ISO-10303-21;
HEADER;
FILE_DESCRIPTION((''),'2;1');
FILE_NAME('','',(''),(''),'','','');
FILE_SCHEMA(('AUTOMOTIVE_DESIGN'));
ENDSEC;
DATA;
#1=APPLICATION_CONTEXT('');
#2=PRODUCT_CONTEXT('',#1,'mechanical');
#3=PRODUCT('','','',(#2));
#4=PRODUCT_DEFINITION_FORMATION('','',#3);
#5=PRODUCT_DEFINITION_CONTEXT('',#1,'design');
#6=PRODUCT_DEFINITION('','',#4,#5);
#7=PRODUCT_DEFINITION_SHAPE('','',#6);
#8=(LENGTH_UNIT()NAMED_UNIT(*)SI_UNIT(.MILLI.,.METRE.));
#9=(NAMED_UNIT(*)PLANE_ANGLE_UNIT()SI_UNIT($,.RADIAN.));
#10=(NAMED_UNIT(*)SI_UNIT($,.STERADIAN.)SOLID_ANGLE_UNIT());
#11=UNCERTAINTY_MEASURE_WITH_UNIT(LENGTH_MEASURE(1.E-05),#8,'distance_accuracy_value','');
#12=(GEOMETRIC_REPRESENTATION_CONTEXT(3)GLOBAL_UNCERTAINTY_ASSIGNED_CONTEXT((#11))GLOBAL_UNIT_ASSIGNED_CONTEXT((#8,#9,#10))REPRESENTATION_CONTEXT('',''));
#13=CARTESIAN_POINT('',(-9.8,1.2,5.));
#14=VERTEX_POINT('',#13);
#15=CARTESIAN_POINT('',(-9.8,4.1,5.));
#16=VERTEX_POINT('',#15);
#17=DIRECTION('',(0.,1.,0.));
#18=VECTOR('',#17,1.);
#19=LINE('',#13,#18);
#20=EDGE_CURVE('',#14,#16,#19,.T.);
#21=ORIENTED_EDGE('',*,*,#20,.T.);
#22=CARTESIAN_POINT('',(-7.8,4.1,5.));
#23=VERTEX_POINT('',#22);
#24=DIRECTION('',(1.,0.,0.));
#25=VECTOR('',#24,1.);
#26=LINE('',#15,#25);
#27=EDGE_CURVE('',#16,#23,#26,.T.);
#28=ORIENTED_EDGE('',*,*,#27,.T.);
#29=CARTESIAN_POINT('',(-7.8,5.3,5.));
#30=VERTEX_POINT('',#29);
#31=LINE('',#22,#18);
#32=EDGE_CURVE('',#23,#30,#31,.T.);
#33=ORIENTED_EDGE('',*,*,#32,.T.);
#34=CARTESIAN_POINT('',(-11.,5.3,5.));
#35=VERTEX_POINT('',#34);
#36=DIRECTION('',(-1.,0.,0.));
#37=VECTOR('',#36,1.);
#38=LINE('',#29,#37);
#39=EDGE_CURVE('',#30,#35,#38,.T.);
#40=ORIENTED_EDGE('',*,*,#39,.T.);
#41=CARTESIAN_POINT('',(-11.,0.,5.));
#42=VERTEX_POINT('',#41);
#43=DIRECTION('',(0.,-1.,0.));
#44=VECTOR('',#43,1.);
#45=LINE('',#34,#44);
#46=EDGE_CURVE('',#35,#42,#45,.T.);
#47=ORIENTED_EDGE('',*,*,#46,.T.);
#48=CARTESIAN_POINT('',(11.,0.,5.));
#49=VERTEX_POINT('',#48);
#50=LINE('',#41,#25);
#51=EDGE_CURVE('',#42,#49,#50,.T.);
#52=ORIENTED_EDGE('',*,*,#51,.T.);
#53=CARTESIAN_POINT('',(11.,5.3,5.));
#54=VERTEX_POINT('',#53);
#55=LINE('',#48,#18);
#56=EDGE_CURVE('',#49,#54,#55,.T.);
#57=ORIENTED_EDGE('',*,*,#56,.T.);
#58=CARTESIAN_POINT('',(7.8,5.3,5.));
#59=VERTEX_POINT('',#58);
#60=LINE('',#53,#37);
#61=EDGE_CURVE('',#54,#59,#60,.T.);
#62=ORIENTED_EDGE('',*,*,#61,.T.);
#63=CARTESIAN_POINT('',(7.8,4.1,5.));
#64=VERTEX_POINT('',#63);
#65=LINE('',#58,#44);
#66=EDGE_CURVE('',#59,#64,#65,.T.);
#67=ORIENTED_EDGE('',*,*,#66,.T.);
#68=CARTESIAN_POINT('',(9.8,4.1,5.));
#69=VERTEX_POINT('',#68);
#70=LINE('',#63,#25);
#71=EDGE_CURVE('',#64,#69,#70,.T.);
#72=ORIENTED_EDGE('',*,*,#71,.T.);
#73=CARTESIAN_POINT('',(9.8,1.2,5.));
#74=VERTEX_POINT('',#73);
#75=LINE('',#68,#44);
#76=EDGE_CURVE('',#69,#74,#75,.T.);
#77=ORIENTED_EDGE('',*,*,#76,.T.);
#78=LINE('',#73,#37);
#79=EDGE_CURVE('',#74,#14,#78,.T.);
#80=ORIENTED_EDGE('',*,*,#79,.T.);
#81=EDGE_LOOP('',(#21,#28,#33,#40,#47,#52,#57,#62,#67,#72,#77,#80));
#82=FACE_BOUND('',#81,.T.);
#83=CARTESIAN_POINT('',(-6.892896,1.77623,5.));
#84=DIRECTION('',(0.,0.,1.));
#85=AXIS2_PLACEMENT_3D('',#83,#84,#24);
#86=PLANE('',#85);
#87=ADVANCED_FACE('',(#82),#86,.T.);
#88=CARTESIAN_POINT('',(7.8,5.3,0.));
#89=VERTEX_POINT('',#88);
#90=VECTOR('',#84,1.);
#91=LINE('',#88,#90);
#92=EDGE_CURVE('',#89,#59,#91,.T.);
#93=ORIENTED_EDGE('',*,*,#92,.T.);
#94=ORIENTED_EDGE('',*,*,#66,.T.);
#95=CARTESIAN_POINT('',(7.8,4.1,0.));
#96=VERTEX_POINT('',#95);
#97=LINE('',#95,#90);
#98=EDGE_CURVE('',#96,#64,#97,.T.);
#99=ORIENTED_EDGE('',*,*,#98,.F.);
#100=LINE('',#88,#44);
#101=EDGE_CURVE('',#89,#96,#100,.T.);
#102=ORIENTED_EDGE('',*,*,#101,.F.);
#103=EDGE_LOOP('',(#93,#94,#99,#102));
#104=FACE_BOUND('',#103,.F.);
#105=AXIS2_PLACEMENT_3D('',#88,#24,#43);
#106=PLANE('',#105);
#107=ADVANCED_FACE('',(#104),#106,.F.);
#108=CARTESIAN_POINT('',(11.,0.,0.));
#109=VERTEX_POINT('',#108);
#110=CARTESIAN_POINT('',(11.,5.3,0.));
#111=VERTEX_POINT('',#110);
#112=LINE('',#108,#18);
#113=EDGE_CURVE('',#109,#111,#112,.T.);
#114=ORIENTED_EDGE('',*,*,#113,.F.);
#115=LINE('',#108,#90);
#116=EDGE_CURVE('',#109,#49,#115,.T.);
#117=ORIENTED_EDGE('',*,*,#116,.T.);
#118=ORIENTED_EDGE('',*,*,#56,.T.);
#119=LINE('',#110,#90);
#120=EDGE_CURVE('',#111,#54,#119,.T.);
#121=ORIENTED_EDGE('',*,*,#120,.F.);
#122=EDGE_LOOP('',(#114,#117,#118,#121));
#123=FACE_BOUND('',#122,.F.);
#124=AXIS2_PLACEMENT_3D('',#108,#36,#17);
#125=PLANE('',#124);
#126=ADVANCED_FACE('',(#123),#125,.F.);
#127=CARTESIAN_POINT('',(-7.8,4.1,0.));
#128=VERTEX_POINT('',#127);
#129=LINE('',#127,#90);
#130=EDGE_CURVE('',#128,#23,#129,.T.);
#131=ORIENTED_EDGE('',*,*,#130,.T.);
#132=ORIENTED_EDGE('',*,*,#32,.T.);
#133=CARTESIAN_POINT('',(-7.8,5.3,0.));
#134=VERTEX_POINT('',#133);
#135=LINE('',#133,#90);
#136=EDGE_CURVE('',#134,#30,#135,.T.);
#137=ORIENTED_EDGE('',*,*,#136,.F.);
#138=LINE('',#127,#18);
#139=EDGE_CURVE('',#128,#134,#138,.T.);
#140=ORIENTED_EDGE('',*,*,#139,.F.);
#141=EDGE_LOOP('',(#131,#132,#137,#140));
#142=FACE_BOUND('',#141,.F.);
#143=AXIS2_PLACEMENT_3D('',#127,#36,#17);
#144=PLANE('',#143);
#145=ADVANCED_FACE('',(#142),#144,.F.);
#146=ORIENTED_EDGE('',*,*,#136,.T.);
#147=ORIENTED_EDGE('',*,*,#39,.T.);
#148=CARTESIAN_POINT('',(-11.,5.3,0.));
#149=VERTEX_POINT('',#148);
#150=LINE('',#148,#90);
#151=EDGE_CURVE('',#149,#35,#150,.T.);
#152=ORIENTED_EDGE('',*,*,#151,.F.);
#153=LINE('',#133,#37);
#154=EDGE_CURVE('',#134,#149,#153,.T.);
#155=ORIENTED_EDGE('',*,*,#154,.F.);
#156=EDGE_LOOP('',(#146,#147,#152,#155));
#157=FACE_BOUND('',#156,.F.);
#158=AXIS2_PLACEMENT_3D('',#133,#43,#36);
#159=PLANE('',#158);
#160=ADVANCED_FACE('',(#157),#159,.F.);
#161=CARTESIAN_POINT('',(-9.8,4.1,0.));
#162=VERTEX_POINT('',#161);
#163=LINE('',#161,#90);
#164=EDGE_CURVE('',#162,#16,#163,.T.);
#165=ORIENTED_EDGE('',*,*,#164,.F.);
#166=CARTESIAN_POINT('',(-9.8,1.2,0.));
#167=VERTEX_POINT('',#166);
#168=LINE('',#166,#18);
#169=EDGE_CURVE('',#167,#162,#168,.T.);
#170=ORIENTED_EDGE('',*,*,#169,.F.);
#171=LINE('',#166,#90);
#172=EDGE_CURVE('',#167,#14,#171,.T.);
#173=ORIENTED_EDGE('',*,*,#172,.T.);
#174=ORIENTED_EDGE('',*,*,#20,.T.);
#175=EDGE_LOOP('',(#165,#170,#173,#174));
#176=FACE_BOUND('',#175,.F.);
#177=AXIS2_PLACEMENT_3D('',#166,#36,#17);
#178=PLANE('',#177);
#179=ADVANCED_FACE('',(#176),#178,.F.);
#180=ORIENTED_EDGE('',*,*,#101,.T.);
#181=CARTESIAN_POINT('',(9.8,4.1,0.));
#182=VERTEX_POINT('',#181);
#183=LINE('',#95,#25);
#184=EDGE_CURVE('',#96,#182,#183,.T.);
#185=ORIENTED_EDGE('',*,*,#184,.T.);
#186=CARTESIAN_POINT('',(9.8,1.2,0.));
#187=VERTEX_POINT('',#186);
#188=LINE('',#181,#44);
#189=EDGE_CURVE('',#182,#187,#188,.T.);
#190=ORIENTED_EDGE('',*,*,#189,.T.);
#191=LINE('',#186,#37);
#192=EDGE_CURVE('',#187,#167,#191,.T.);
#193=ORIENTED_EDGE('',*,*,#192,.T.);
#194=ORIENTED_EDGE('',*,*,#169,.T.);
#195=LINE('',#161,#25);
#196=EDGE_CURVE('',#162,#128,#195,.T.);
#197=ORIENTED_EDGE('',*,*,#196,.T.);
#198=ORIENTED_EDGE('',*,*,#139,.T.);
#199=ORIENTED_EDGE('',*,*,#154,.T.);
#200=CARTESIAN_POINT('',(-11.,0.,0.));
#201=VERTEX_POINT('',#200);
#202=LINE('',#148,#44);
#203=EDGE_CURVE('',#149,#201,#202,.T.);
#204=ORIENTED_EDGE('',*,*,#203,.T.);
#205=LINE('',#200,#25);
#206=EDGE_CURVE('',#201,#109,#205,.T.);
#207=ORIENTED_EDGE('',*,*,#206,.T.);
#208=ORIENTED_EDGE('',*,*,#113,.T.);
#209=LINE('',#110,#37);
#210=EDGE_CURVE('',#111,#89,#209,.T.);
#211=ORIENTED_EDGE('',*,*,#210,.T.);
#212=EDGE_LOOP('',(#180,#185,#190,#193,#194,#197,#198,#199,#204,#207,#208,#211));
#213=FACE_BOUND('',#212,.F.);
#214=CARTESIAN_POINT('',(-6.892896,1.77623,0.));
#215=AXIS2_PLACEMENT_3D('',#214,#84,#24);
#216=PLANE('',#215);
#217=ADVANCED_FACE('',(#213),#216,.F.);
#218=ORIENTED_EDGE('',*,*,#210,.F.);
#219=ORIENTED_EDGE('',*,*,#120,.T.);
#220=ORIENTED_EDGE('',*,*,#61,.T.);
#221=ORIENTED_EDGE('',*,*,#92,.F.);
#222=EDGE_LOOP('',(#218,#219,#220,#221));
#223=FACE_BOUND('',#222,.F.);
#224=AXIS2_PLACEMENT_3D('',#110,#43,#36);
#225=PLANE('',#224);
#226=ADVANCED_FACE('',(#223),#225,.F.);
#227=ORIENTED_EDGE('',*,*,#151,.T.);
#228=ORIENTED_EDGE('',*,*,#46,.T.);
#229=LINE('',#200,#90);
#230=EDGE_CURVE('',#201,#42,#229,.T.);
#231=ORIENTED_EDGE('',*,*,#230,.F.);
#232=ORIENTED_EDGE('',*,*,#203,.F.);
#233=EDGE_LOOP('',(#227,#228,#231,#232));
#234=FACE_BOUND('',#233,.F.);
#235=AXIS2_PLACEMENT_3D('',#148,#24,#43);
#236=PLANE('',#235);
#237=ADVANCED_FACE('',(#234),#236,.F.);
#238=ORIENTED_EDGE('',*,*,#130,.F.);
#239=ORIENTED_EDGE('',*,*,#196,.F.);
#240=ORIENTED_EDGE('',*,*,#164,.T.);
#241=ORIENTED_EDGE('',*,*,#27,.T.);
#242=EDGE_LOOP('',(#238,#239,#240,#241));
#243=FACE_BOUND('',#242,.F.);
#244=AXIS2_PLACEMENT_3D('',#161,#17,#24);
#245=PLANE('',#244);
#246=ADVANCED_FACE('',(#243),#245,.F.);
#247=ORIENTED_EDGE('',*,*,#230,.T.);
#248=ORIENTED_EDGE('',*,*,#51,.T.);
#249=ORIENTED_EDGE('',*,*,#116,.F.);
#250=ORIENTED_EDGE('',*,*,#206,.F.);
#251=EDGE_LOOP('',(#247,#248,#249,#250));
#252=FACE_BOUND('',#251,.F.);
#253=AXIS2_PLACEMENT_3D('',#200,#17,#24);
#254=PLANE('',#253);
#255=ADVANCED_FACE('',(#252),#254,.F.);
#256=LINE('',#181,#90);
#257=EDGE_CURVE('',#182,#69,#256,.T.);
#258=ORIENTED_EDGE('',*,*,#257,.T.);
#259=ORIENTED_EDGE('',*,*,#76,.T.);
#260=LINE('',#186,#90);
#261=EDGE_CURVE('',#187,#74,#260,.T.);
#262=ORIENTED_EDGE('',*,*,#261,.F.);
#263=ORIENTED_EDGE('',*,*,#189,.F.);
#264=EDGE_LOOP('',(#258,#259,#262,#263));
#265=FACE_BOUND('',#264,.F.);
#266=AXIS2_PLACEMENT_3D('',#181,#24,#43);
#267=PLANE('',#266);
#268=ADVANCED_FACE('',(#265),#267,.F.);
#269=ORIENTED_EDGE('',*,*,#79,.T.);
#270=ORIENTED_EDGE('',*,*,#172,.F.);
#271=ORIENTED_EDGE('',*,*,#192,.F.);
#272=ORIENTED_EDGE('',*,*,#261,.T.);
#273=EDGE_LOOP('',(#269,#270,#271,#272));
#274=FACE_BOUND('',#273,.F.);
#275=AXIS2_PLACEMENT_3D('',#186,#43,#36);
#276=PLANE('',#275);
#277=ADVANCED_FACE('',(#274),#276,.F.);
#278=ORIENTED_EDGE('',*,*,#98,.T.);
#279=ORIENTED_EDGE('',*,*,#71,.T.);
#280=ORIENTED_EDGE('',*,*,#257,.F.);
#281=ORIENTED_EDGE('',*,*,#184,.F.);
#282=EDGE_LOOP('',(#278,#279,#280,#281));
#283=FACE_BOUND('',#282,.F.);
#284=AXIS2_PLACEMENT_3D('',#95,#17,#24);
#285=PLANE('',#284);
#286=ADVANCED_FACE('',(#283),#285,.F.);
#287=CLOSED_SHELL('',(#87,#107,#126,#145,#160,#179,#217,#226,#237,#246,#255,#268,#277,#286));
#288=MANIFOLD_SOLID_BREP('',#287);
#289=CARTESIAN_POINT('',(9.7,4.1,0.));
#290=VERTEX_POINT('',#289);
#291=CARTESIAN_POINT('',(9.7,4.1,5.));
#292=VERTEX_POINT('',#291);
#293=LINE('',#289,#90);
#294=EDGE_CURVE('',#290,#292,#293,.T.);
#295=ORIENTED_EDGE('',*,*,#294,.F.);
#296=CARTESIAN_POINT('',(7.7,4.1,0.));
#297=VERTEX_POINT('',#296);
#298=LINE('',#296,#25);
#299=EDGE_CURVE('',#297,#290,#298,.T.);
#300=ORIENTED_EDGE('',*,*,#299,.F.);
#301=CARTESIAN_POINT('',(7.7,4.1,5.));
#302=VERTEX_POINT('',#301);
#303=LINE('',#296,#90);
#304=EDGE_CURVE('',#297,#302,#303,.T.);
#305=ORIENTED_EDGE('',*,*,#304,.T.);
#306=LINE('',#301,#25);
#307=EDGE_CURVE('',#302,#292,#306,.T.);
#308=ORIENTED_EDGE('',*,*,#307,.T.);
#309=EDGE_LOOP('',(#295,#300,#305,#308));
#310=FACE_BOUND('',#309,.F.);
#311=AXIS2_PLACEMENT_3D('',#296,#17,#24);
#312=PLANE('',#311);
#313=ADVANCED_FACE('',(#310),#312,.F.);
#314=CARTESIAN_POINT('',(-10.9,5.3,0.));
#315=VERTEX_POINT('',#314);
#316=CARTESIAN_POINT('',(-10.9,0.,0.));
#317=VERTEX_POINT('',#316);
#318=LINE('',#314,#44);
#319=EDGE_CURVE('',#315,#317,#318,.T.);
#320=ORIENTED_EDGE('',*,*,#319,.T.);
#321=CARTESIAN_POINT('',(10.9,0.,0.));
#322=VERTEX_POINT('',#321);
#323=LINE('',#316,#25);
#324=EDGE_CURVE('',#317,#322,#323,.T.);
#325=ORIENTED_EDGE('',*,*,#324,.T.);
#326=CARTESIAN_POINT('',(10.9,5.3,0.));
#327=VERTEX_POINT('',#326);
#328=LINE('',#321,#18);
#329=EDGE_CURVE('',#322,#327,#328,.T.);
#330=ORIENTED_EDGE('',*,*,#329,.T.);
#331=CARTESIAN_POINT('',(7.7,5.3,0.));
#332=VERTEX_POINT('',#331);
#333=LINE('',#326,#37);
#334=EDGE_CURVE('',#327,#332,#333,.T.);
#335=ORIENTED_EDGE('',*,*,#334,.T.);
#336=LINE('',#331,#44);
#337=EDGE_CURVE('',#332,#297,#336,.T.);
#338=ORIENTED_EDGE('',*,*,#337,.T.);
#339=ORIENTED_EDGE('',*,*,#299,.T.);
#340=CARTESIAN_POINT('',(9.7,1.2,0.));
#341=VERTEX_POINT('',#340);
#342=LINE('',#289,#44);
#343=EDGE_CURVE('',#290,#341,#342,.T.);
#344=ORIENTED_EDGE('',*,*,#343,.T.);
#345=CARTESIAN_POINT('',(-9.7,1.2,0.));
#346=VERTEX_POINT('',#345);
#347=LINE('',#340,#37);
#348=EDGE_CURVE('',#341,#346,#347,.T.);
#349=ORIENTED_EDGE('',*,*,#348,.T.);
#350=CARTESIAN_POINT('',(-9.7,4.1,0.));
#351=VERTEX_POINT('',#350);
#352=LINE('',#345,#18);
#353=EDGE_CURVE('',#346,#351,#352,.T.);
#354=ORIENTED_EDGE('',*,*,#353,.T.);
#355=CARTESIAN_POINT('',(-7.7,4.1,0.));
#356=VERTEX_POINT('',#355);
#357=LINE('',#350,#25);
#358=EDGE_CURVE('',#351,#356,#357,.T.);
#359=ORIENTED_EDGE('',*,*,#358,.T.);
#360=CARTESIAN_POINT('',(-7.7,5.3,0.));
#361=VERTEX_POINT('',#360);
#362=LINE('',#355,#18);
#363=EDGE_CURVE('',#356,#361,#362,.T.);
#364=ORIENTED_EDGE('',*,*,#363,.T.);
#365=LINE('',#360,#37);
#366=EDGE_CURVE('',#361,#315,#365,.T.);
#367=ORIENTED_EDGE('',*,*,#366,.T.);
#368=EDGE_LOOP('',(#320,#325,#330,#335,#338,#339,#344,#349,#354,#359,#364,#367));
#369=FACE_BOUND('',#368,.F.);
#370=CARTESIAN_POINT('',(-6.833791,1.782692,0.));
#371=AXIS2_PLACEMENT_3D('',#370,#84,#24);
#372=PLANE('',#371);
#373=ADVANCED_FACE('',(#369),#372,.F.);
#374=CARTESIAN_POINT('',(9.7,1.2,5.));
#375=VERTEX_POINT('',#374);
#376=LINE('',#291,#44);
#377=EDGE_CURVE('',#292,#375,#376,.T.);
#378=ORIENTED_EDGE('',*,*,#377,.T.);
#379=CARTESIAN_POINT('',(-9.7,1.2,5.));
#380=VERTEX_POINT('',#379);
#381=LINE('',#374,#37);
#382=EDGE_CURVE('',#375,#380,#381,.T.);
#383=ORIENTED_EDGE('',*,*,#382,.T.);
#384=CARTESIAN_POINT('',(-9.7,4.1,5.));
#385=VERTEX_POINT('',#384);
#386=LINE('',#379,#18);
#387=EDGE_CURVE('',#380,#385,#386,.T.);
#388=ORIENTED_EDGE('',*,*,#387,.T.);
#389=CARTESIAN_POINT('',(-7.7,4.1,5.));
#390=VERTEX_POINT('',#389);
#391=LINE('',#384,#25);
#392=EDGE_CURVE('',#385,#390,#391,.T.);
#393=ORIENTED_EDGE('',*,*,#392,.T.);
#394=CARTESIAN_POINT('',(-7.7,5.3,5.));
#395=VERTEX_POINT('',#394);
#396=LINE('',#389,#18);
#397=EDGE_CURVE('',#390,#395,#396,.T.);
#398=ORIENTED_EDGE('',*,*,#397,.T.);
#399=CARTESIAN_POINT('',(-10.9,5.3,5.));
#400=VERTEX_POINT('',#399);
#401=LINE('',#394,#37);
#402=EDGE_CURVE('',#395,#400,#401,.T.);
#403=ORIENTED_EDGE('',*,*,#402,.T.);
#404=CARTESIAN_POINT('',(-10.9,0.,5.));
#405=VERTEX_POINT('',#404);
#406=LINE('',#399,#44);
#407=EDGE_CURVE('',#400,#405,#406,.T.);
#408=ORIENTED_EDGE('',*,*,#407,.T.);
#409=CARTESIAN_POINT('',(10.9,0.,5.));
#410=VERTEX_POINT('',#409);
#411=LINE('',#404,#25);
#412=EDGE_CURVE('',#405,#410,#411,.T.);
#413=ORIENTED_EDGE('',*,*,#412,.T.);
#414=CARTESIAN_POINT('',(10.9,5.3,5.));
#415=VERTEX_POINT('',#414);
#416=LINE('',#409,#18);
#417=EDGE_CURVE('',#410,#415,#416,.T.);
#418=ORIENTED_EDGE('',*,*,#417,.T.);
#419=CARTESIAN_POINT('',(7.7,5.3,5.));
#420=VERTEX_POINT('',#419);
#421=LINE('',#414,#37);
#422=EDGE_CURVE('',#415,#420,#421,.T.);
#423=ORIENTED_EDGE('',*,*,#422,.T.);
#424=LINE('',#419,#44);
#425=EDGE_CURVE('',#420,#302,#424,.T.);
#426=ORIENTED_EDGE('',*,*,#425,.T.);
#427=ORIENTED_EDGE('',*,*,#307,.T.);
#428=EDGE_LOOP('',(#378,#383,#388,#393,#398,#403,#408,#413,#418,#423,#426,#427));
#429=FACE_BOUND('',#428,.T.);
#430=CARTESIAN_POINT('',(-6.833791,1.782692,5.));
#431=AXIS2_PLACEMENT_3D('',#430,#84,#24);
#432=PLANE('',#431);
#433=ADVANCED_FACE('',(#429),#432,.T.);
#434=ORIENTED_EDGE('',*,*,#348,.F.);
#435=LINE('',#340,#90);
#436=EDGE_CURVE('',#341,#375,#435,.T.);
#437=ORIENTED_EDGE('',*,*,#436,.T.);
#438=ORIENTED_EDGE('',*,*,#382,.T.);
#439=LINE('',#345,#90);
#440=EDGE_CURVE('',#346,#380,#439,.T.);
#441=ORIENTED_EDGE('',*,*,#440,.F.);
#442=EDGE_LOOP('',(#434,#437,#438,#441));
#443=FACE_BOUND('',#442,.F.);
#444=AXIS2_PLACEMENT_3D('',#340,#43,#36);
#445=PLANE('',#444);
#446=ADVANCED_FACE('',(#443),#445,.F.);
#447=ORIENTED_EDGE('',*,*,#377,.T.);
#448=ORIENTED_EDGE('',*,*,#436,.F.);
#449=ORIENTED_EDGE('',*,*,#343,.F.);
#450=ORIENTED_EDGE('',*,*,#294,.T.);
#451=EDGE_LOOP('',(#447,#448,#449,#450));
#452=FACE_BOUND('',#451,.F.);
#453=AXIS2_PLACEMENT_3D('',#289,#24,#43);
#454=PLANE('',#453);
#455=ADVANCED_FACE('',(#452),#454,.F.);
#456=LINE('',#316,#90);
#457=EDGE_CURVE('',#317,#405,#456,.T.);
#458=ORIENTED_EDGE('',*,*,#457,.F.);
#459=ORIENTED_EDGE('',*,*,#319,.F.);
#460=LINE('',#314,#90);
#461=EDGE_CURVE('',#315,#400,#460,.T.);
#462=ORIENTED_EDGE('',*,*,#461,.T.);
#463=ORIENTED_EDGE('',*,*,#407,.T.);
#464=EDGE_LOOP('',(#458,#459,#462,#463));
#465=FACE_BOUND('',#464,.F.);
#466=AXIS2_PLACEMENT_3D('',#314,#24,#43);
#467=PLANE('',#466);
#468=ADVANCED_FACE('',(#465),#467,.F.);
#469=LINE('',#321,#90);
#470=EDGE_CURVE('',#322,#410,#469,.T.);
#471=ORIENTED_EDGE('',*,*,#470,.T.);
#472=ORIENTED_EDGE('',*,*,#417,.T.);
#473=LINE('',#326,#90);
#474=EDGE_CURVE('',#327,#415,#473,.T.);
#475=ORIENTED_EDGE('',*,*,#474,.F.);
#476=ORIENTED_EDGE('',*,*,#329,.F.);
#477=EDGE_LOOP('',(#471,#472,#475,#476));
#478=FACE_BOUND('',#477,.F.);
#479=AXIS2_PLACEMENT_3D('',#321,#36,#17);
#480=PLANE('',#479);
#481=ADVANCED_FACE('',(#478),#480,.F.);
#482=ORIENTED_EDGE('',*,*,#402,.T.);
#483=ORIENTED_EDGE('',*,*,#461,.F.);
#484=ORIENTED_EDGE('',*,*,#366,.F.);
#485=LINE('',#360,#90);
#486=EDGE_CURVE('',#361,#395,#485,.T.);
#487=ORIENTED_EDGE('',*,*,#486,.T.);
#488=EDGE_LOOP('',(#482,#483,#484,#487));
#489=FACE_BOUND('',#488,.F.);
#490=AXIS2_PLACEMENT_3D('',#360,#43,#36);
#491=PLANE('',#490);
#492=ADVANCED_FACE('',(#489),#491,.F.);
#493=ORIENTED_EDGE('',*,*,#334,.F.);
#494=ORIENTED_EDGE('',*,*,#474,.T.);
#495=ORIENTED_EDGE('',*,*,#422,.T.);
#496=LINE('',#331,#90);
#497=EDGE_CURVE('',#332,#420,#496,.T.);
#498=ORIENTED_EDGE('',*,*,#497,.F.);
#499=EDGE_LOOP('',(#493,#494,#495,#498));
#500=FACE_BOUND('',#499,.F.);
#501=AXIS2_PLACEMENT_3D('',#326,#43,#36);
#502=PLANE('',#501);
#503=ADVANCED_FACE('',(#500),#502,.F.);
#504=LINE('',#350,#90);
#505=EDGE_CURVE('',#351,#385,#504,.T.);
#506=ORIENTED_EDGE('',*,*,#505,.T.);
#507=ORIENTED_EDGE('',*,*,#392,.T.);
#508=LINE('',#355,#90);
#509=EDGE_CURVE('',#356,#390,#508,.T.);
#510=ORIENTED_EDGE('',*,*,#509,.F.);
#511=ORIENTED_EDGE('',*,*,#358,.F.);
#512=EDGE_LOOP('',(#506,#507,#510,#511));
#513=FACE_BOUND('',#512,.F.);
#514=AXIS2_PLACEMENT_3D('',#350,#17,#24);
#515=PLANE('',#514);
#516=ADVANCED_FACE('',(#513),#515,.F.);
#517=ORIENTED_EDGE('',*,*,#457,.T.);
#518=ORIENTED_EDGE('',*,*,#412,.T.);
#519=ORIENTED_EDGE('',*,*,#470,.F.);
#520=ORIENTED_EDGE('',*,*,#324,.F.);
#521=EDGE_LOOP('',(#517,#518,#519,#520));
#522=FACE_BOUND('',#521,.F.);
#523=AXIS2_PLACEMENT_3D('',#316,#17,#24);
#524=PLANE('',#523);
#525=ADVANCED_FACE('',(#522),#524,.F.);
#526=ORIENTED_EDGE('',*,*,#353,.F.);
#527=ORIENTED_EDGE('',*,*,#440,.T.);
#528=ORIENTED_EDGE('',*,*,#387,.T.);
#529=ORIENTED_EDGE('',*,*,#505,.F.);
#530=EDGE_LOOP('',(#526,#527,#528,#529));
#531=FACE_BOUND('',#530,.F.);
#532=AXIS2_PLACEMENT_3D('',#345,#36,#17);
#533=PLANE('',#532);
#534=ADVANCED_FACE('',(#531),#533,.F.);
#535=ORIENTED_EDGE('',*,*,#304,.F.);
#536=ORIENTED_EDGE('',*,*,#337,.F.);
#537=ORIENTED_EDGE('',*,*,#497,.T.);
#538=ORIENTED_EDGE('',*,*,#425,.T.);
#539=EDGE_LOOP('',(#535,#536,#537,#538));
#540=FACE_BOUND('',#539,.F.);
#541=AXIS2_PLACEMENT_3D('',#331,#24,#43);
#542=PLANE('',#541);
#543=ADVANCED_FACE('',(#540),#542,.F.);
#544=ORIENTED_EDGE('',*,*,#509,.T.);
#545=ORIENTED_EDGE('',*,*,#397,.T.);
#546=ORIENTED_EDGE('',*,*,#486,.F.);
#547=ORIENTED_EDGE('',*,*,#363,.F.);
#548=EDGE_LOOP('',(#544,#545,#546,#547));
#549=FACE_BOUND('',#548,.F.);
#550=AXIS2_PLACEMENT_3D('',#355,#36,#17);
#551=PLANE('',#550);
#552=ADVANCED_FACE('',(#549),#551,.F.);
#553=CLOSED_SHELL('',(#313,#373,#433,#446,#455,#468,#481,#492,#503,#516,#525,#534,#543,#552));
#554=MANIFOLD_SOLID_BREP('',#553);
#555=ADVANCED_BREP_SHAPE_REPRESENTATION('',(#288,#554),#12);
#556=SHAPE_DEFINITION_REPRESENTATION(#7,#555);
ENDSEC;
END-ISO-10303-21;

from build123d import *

# Parameters (mm, degrees)
F1_DEPTH = 5
F3_DEPTH = 5


with BuildPart() as f1:
    # F0 (on Top) → F1 (new body)
    with BuildSketch(Plane.XY):
        Polygon((-11, 0), (0, 0), (0, 1.2), (-9.8, 1.2), (-9.8, 4.1), (-7.8, 4.1), (-7.8, 5.3), (-11, 5.3), align=None)
        Polygon((0, 1.2), (0, 0), (11, 0), (11, 5.3), (7.8, 5.3), (7.8, 4.1), (9.8, 4.1), (9.8, 1.2), align=None)
    extrude(amount=F1_DEPTH)


with BuildPart() as f3:
    # F2 (on Top) → F3 (new body)
    with BuildSketch(Plane.XY):
        Polygon((-10.9, 0), (0, 0), (0, 1.2), (-9.7, 1.2), (-9.7, 4.1), (-7.7, 4.1), (-7.7, 5.3), (-10.9, 5.3), align=None)
        Polygon((0, 1.2), (0, 0), (10.9, 0), (10.9, 5.3), (7.7, 5.3), (7.7, 4.1), (9.7, 4.1), (9.7, 1.2), align=None)
    extrude(amount=F3_DEPTH)


solid = Compound([f1.part, f3.part])
